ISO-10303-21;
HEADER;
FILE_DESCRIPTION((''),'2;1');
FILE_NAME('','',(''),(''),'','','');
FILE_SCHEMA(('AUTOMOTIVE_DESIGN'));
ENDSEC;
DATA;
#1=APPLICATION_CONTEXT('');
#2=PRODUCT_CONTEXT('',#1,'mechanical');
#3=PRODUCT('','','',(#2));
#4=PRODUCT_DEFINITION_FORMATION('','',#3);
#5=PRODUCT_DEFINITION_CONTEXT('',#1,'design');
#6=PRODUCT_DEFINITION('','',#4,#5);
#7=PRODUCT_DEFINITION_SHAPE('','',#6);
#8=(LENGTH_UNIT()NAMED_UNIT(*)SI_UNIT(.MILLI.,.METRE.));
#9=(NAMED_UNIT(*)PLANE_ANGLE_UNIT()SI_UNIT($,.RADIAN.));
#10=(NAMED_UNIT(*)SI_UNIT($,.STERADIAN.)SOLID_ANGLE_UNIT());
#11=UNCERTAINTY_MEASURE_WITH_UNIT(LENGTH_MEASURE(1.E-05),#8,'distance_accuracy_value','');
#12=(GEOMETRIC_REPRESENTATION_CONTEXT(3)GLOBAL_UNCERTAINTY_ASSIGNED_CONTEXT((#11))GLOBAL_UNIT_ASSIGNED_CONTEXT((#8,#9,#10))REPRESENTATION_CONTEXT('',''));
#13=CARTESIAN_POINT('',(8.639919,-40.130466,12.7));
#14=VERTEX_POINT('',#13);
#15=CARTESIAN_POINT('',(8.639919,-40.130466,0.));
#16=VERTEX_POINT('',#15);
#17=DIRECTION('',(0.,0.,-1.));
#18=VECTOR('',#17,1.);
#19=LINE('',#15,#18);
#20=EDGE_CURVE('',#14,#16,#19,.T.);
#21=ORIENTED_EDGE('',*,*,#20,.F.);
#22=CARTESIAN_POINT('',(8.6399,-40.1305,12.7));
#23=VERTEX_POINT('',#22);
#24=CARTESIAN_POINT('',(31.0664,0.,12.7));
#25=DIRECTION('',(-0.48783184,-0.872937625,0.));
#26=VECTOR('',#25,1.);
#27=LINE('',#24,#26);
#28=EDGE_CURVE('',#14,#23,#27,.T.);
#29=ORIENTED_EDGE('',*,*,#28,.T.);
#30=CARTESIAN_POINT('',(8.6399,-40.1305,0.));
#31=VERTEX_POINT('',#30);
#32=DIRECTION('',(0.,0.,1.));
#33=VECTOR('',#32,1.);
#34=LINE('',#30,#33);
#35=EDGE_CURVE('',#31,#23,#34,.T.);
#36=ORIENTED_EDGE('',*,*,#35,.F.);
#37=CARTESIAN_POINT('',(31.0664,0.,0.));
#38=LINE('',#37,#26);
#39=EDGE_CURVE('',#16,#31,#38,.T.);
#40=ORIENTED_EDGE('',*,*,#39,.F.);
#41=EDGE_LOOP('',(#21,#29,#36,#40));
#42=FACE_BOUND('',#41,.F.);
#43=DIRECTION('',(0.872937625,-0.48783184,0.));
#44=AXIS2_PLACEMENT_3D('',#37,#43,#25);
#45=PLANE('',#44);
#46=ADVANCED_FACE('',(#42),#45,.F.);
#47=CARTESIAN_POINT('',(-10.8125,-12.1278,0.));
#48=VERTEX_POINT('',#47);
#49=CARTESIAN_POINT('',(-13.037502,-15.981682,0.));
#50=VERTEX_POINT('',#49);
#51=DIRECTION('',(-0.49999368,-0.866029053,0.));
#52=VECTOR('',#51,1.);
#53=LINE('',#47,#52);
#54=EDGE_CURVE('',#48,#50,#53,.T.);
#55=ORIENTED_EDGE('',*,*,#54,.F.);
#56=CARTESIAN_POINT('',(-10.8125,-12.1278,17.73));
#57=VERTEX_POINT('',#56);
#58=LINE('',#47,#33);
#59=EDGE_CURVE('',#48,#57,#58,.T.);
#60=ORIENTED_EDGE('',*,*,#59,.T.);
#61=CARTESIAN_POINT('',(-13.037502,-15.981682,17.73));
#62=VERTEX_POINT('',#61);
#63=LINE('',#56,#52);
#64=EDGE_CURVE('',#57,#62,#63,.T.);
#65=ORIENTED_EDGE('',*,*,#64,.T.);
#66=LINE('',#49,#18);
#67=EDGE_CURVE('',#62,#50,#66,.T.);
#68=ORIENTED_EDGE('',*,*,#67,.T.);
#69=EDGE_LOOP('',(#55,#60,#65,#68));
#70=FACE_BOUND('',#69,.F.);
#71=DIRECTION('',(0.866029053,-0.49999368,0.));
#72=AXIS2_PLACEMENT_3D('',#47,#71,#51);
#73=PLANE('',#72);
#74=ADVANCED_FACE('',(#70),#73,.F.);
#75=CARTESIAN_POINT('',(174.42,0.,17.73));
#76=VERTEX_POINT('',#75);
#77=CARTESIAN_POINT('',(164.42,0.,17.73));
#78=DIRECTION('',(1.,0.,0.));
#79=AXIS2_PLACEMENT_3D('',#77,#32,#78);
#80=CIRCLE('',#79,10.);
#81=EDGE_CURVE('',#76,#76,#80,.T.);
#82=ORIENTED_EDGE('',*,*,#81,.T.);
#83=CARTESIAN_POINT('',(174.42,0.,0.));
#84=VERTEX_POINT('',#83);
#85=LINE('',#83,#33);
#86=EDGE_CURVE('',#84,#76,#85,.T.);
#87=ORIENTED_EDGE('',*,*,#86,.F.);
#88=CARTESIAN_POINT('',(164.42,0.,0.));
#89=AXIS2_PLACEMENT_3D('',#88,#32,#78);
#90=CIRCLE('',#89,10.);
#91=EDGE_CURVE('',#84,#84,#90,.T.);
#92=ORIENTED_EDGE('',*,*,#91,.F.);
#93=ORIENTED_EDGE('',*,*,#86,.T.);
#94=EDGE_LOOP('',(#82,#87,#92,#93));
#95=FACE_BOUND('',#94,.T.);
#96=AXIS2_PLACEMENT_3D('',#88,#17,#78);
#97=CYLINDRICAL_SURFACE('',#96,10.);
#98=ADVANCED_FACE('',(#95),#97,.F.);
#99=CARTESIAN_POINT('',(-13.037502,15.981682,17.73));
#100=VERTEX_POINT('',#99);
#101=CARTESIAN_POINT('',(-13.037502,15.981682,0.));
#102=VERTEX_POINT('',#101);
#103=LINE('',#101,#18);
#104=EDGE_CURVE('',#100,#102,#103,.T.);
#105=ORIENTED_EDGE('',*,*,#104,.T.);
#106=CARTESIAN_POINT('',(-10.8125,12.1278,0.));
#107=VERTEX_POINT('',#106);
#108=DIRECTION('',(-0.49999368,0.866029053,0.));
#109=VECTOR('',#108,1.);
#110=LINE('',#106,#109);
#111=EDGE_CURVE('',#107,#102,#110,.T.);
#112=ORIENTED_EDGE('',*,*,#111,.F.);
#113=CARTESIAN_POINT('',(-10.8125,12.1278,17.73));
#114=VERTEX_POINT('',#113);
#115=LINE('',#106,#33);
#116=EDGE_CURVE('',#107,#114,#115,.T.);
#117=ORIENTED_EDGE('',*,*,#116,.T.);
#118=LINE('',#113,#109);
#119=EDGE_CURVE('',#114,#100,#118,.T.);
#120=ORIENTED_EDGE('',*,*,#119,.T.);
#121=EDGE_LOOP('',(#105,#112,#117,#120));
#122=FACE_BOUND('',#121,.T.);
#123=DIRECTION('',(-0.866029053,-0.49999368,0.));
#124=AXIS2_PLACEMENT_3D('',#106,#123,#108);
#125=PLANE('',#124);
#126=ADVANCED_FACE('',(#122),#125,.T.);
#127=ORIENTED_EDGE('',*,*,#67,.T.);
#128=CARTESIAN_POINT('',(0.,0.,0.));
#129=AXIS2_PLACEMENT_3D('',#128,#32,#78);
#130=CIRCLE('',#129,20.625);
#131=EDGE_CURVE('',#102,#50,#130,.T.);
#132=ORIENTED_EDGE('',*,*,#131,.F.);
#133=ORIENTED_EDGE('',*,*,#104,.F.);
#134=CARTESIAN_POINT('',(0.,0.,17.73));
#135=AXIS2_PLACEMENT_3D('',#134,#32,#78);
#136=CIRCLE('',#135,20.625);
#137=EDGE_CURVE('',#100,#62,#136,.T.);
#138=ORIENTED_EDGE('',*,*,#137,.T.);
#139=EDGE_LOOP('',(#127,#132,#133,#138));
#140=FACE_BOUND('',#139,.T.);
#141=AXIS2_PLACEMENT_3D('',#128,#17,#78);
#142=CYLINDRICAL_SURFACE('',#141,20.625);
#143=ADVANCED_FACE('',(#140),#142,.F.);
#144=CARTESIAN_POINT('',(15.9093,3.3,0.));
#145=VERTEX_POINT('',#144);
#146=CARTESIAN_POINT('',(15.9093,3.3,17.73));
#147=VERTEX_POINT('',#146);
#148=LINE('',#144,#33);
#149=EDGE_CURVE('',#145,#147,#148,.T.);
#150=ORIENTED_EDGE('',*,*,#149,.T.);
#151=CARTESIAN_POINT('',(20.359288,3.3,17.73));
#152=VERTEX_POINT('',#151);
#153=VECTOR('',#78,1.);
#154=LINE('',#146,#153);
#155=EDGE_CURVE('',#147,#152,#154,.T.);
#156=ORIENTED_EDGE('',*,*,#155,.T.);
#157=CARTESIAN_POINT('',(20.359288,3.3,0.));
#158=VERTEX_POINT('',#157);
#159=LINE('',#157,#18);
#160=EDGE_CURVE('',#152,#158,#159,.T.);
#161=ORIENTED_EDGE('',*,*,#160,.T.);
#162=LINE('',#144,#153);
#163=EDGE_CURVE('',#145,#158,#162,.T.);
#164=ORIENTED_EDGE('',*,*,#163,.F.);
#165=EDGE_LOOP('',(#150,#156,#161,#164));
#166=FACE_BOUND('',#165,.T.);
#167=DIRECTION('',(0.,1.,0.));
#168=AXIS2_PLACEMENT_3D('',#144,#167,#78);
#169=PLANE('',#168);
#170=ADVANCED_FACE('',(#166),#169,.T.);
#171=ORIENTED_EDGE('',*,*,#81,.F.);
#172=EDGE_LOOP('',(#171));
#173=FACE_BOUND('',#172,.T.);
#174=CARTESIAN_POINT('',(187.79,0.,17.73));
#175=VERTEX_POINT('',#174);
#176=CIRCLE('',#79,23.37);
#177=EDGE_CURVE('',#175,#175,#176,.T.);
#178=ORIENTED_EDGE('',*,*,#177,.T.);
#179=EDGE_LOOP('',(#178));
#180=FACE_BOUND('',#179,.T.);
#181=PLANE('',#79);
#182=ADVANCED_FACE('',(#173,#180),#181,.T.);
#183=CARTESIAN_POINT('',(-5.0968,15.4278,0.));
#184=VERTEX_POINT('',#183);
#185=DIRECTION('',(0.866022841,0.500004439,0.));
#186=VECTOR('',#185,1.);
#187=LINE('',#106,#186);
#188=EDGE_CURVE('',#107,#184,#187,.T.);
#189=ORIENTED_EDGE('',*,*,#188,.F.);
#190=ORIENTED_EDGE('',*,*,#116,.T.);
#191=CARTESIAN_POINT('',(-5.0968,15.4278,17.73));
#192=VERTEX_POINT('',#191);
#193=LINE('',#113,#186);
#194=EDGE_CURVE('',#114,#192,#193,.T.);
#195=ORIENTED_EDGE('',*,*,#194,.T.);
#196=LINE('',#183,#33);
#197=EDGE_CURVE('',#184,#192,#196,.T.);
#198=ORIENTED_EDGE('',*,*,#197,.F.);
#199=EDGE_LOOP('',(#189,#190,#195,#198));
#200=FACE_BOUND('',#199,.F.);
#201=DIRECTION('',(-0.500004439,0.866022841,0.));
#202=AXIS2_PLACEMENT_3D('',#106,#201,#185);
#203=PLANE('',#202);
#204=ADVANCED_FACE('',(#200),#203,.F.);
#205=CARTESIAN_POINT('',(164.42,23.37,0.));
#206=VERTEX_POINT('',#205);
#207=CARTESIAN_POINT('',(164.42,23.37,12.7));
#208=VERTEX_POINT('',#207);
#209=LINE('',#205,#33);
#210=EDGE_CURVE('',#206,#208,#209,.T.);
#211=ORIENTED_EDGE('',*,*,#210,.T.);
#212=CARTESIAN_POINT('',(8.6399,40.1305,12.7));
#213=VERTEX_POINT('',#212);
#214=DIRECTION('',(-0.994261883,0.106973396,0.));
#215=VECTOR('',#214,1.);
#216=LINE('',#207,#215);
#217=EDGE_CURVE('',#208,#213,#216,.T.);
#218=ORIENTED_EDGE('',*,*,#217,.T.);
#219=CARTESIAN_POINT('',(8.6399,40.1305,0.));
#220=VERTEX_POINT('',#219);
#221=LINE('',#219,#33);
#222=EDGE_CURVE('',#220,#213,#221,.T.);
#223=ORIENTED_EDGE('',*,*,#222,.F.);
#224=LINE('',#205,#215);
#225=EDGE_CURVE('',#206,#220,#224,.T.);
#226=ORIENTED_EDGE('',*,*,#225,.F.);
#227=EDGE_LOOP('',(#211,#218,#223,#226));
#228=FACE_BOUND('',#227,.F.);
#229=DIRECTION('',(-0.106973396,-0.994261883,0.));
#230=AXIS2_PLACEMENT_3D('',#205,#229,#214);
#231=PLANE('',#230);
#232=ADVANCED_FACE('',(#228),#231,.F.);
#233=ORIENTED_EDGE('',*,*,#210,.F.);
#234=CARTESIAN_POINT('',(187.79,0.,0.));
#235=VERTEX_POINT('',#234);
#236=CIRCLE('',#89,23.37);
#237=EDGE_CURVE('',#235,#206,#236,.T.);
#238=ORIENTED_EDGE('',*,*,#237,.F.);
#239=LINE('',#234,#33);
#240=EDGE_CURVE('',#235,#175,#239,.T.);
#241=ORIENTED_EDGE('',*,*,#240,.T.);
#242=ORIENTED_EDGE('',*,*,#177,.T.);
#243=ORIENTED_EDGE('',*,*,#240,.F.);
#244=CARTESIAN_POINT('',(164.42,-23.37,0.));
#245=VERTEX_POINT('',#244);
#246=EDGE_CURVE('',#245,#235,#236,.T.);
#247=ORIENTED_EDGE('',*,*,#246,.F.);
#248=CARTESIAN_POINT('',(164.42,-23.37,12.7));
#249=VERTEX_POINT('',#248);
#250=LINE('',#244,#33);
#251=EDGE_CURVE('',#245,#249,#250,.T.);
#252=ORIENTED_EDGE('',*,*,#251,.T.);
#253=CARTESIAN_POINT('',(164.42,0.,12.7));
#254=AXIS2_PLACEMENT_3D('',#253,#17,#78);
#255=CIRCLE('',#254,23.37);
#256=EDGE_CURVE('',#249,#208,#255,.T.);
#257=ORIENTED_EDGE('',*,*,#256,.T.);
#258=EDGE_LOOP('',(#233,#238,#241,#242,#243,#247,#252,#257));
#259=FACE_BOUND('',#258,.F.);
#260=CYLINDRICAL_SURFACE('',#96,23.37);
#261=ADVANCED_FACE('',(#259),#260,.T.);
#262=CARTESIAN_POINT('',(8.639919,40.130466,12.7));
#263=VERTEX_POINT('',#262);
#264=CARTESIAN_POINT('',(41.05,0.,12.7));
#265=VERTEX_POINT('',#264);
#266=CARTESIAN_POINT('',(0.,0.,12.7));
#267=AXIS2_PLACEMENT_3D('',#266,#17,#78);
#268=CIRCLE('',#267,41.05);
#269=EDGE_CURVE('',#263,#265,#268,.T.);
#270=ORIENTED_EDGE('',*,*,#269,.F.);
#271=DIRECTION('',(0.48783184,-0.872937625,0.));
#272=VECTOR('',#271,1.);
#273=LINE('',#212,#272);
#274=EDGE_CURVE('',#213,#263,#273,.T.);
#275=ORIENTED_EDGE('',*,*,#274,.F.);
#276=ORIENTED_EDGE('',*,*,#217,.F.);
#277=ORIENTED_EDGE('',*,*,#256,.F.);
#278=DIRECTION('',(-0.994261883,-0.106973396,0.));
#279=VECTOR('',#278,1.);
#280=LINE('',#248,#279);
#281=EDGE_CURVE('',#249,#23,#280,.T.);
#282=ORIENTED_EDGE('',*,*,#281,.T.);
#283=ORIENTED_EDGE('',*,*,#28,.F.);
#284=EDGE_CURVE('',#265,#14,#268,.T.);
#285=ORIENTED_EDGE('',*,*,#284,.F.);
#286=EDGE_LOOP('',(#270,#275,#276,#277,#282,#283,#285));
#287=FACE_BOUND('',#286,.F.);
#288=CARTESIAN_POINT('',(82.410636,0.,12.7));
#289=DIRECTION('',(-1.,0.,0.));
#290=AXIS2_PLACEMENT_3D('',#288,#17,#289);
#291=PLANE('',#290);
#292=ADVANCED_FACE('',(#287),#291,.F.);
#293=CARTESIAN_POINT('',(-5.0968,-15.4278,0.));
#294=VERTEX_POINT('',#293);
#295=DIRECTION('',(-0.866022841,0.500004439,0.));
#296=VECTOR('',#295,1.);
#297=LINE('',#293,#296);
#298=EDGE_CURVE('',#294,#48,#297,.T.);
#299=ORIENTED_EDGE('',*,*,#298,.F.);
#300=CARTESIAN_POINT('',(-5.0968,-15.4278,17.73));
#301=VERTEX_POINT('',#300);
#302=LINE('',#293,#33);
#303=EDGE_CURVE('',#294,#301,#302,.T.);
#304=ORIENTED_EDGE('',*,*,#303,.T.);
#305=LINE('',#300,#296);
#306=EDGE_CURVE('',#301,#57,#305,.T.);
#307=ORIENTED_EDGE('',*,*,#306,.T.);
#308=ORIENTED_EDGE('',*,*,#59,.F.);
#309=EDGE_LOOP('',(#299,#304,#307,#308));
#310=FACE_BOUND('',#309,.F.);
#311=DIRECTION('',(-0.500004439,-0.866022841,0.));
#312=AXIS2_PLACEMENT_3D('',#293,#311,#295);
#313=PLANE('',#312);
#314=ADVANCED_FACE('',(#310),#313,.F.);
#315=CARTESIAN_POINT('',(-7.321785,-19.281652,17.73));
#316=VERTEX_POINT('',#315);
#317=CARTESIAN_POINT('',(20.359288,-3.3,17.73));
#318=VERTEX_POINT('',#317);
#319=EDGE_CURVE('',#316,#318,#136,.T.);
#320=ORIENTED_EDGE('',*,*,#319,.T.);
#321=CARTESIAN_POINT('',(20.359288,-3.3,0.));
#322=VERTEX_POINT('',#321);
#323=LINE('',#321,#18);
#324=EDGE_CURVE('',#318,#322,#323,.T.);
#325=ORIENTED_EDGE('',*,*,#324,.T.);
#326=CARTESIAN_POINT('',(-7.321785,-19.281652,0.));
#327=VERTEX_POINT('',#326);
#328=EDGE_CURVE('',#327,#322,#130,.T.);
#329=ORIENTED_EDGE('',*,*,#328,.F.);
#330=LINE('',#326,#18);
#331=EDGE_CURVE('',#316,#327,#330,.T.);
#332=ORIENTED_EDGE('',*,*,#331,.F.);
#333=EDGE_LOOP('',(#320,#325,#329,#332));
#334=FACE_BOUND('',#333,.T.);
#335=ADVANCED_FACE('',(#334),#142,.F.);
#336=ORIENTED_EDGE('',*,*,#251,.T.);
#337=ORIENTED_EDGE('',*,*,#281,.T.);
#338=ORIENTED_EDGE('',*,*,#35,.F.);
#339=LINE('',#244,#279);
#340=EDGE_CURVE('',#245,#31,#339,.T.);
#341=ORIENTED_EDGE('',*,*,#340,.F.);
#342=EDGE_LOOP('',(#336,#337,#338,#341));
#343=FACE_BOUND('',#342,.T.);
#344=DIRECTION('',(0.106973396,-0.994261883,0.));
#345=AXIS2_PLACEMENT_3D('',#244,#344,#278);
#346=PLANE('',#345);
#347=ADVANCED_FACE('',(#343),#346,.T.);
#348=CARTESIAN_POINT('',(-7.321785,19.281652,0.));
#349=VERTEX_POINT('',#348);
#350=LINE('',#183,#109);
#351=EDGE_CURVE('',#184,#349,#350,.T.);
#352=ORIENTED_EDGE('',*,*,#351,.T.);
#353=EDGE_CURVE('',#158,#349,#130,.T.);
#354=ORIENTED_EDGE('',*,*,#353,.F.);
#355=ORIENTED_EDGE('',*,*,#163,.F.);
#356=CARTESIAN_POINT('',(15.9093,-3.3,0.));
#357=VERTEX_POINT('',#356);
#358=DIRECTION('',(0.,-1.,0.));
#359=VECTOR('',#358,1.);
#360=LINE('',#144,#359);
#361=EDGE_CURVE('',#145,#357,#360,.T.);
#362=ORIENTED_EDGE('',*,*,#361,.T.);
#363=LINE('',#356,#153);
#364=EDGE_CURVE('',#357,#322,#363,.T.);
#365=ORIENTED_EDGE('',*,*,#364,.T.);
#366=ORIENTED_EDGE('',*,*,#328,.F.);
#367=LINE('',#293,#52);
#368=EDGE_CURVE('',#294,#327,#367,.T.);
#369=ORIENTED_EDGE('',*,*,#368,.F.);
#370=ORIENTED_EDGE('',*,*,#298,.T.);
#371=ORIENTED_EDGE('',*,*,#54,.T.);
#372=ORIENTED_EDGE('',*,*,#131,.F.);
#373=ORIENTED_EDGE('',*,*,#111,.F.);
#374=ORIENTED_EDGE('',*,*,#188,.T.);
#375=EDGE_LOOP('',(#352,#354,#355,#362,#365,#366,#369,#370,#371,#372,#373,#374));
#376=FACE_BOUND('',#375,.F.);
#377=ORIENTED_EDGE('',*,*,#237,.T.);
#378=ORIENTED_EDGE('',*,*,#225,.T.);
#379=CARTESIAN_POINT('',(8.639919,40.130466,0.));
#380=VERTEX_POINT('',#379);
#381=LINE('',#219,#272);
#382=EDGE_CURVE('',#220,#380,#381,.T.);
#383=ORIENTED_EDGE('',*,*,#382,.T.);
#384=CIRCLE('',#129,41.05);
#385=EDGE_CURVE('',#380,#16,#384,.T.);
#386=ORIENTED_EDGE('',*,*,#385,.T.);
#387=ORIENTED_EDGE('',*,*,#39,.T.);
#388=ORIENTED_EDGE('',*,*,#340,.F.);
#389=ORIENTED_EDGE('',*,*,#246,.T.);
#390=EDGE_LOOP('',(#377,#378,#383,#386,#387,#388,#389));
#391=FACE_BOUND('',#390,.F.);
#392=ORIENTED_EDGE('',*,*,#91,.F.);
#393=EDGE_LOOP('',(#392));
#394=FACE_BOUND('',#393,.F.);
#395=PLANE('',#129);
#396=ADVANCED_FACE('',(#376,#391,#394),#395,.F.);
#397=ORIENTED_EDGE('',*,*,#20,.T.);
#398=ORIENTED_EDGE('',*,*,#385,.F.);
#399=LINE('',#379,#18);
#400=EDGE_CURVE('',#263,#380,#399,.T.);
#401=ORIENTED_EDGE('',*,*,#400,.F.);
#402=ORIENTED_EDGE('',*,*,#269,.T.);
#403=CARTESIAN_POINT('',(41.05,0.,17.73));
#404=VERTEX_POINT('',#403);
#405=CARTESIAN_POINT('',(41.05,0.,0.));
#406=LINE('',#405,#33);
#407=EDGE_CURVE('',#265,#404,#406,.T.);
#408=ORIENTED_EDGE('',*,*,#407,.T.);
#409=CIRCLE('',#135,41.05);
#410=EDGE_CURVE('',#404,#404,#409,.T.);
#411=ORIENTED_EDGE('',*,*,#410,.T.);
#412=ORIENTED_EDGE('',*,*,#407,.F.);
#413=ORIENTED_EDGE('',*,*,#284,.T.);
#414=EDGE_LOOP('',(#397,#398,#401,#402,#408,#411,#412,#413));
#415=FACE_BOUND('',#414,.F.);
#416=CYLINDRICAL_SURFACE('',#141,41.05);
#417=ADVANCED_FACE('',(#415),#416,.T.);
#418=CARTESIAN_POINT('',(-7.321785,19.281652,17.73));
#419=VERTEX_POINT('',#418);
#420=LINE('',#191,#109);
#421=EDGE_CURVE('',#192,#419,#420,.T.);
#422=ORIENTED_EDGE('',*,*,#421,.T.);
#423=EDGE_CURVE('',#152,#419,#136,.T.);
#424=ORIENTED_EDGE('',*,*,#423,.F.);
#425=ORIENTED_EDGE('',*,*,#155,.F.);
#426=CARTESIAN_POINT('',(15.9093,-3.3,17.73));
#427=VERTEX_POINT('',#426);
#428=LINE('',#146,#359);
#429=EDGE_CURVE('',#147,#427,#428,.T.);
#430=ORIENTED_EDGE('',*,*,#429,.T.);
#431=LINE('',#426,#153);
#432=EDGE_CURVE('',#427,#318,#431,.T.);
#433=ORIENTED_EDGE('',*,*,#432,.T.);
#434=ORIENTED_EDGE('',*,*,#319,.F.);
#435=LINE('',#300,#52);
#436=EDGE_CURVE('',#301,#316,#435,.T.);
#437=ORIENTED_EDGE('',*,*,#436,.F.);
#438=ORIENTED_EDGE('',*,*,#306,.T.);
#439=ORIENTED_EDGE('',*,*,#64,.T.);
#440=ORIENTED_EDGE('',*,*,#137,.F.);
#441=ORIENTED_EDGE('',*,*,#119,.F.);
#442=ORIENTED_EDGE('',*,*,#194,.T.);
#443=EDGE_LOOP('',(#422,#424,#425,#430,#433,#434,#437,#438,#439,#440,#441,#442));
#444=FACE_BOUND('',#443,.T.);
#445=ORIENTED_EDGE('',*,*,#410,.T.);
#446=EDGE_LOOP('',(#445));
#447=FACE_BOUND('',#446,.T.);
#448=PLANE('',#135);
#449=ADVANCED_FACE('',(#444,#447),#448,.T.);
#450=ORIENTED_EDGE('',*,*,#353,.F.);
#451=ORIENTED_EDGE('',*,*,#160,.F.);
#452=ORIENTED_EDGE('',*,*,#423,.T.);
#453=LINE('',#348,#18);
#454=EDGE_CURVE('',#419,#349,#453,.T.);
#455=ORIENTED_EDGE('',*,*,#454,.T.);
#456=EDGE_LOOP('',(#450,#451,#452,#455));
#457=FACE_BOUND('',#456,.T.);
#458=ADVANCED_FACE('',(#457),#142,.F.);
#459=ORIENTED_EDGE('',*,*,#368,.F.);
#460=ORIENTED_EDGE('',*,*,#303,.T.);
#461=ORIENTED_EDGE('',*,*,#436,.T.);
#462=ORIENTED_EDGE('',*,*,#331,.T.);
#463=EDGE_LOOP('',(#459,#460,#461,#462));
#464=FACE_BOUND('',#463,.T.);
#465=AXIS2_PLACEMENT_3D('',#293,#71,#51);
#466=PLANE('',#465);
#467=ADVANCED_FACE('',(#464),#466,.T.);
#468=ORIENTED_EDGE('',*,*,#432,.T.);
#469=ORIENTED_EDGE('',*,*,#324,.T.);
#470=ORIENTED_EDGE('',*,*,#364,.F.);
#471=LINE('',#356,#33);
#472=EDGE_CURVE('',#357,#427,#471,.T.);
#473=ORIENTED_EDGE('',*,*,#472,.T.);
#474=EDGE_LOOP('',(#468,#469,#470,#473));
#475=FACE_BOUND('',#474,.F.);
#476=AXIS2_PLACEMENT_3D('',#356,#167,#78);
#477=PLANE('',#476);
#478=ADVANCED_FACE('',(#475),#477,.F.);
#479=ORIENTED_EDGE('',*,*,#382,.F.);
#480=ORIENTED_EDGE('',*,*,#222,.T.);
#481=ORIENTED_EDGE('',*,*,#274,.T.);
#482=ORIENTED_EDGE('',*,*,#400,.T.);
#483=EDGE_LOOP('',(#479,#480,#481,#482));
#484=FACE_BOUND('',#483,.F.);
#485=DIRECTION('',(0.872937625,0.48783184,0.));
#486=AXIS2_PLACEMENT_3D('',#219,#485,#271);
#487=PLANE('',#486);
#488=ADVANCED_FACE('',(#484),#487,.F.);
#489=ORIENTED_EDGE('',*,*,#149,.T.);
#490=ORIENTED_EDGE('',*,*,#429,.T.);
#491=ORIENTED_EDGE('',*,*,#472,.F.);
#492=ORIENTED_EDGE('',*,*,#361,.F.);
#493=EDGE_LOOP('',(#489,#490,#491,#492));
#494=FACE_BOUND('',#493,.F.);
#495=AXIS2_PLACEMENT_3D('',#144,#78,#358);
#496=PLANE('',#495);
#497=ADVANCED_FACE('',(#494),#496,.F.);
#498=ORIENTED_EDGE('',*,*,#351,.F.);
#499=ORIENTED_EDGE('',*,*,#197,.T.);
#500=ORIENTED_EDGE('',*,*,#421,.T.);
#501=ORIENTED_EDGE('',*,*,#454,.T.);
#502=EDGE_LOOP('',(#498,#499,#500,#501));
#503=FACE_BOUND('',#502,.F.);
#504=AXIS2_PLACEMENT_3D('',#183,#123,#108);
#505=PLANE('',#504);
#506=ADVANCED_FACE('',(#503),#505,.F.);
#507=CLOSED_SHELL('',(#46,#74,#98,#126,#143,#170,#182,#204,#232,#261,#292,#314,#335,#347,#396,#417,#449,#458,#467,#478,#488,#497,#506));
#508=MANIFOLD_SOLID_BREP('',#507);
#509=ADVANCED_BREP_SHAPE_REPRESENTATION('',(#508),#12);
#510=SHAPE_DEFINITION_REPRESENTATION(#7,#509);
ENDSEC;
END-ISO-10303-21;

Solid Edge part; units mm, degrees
sketch "Sketch1" plane through (0, 0, 0) normal (0, 0, 1) x (1, 0, 0)
  circle A0 centre (0, 0) radius 41.05
  circle A1 centre (0, 0) radius 20.625
  circle A2 centre (164.42, 0) radius 23.37
  circle A3 centre (164.42, 0) radius 10
extrude "Protrusion1" add sketch "Sketch1" along normal blind 17.73
sketch "Sketch2" plane through (0, 0, 0) normal (0, 0, 1) x (1, 0, 0)
  line L0 (164.42, -23.37) -> (8.6399, -40.1305)
  line L1 (31.0664, 0) -> (8.6399, -40.1305)
  line L2 (8.6399, 40.1305) -> (31.0664, 0)
  line L3 (164.42, 23.37) -> (8.6399, 40.1305)
  line L4 (143.9301, 0) -> (164.42, 23.37)
  line L5 (164.42, -23.37) -> (143.9301, 0)
extrude "ExtrudedProtrusion_2" add sketch "Sketch2" along normal blind 12.7
sketch "Sketch3" plane through (0, 0, 0) normal (0, 0, 1) x (1, 0, 0)
  line L0 (-5.0968, -15.4278) -> (-7.5968, -19.758)
  line L1 (-13.3125, -16.458) -> (-7.5968, -19.758)
  line L2 (-10.8125, -12.1278) -> (-13.3125, -16.458)
  line L3 (-5.0968, -15.4278) -> (-10.8125, -12.1278)
  line L4 (-10.8125, 12.1278) -> (-5.0968, 15.4278)
  line L5 (-5.0968, 15.4278) -> (-7.5968, 19.758)
  line L6 (-7.5968, 19.758) -> (-13.3125, 16.458)
  line L7 (-10.8125, 12.1278) -> (-13.3125, 16.458)
  line L8 (15.9093, -3.3) -> (20.9093, -3.3)
  line L9 (20.9093, -3.3) -> (20.9093, 3.3)
  line L10 (15.9093, 3.3) -> (20.9093, 3.3)
  line L11 (15.9093, 3.3) -> (15.9093, -3.3)
extrude "Protrusion2" add sketch "Sketch3" along normal up to vertex (17.73 mm away)
